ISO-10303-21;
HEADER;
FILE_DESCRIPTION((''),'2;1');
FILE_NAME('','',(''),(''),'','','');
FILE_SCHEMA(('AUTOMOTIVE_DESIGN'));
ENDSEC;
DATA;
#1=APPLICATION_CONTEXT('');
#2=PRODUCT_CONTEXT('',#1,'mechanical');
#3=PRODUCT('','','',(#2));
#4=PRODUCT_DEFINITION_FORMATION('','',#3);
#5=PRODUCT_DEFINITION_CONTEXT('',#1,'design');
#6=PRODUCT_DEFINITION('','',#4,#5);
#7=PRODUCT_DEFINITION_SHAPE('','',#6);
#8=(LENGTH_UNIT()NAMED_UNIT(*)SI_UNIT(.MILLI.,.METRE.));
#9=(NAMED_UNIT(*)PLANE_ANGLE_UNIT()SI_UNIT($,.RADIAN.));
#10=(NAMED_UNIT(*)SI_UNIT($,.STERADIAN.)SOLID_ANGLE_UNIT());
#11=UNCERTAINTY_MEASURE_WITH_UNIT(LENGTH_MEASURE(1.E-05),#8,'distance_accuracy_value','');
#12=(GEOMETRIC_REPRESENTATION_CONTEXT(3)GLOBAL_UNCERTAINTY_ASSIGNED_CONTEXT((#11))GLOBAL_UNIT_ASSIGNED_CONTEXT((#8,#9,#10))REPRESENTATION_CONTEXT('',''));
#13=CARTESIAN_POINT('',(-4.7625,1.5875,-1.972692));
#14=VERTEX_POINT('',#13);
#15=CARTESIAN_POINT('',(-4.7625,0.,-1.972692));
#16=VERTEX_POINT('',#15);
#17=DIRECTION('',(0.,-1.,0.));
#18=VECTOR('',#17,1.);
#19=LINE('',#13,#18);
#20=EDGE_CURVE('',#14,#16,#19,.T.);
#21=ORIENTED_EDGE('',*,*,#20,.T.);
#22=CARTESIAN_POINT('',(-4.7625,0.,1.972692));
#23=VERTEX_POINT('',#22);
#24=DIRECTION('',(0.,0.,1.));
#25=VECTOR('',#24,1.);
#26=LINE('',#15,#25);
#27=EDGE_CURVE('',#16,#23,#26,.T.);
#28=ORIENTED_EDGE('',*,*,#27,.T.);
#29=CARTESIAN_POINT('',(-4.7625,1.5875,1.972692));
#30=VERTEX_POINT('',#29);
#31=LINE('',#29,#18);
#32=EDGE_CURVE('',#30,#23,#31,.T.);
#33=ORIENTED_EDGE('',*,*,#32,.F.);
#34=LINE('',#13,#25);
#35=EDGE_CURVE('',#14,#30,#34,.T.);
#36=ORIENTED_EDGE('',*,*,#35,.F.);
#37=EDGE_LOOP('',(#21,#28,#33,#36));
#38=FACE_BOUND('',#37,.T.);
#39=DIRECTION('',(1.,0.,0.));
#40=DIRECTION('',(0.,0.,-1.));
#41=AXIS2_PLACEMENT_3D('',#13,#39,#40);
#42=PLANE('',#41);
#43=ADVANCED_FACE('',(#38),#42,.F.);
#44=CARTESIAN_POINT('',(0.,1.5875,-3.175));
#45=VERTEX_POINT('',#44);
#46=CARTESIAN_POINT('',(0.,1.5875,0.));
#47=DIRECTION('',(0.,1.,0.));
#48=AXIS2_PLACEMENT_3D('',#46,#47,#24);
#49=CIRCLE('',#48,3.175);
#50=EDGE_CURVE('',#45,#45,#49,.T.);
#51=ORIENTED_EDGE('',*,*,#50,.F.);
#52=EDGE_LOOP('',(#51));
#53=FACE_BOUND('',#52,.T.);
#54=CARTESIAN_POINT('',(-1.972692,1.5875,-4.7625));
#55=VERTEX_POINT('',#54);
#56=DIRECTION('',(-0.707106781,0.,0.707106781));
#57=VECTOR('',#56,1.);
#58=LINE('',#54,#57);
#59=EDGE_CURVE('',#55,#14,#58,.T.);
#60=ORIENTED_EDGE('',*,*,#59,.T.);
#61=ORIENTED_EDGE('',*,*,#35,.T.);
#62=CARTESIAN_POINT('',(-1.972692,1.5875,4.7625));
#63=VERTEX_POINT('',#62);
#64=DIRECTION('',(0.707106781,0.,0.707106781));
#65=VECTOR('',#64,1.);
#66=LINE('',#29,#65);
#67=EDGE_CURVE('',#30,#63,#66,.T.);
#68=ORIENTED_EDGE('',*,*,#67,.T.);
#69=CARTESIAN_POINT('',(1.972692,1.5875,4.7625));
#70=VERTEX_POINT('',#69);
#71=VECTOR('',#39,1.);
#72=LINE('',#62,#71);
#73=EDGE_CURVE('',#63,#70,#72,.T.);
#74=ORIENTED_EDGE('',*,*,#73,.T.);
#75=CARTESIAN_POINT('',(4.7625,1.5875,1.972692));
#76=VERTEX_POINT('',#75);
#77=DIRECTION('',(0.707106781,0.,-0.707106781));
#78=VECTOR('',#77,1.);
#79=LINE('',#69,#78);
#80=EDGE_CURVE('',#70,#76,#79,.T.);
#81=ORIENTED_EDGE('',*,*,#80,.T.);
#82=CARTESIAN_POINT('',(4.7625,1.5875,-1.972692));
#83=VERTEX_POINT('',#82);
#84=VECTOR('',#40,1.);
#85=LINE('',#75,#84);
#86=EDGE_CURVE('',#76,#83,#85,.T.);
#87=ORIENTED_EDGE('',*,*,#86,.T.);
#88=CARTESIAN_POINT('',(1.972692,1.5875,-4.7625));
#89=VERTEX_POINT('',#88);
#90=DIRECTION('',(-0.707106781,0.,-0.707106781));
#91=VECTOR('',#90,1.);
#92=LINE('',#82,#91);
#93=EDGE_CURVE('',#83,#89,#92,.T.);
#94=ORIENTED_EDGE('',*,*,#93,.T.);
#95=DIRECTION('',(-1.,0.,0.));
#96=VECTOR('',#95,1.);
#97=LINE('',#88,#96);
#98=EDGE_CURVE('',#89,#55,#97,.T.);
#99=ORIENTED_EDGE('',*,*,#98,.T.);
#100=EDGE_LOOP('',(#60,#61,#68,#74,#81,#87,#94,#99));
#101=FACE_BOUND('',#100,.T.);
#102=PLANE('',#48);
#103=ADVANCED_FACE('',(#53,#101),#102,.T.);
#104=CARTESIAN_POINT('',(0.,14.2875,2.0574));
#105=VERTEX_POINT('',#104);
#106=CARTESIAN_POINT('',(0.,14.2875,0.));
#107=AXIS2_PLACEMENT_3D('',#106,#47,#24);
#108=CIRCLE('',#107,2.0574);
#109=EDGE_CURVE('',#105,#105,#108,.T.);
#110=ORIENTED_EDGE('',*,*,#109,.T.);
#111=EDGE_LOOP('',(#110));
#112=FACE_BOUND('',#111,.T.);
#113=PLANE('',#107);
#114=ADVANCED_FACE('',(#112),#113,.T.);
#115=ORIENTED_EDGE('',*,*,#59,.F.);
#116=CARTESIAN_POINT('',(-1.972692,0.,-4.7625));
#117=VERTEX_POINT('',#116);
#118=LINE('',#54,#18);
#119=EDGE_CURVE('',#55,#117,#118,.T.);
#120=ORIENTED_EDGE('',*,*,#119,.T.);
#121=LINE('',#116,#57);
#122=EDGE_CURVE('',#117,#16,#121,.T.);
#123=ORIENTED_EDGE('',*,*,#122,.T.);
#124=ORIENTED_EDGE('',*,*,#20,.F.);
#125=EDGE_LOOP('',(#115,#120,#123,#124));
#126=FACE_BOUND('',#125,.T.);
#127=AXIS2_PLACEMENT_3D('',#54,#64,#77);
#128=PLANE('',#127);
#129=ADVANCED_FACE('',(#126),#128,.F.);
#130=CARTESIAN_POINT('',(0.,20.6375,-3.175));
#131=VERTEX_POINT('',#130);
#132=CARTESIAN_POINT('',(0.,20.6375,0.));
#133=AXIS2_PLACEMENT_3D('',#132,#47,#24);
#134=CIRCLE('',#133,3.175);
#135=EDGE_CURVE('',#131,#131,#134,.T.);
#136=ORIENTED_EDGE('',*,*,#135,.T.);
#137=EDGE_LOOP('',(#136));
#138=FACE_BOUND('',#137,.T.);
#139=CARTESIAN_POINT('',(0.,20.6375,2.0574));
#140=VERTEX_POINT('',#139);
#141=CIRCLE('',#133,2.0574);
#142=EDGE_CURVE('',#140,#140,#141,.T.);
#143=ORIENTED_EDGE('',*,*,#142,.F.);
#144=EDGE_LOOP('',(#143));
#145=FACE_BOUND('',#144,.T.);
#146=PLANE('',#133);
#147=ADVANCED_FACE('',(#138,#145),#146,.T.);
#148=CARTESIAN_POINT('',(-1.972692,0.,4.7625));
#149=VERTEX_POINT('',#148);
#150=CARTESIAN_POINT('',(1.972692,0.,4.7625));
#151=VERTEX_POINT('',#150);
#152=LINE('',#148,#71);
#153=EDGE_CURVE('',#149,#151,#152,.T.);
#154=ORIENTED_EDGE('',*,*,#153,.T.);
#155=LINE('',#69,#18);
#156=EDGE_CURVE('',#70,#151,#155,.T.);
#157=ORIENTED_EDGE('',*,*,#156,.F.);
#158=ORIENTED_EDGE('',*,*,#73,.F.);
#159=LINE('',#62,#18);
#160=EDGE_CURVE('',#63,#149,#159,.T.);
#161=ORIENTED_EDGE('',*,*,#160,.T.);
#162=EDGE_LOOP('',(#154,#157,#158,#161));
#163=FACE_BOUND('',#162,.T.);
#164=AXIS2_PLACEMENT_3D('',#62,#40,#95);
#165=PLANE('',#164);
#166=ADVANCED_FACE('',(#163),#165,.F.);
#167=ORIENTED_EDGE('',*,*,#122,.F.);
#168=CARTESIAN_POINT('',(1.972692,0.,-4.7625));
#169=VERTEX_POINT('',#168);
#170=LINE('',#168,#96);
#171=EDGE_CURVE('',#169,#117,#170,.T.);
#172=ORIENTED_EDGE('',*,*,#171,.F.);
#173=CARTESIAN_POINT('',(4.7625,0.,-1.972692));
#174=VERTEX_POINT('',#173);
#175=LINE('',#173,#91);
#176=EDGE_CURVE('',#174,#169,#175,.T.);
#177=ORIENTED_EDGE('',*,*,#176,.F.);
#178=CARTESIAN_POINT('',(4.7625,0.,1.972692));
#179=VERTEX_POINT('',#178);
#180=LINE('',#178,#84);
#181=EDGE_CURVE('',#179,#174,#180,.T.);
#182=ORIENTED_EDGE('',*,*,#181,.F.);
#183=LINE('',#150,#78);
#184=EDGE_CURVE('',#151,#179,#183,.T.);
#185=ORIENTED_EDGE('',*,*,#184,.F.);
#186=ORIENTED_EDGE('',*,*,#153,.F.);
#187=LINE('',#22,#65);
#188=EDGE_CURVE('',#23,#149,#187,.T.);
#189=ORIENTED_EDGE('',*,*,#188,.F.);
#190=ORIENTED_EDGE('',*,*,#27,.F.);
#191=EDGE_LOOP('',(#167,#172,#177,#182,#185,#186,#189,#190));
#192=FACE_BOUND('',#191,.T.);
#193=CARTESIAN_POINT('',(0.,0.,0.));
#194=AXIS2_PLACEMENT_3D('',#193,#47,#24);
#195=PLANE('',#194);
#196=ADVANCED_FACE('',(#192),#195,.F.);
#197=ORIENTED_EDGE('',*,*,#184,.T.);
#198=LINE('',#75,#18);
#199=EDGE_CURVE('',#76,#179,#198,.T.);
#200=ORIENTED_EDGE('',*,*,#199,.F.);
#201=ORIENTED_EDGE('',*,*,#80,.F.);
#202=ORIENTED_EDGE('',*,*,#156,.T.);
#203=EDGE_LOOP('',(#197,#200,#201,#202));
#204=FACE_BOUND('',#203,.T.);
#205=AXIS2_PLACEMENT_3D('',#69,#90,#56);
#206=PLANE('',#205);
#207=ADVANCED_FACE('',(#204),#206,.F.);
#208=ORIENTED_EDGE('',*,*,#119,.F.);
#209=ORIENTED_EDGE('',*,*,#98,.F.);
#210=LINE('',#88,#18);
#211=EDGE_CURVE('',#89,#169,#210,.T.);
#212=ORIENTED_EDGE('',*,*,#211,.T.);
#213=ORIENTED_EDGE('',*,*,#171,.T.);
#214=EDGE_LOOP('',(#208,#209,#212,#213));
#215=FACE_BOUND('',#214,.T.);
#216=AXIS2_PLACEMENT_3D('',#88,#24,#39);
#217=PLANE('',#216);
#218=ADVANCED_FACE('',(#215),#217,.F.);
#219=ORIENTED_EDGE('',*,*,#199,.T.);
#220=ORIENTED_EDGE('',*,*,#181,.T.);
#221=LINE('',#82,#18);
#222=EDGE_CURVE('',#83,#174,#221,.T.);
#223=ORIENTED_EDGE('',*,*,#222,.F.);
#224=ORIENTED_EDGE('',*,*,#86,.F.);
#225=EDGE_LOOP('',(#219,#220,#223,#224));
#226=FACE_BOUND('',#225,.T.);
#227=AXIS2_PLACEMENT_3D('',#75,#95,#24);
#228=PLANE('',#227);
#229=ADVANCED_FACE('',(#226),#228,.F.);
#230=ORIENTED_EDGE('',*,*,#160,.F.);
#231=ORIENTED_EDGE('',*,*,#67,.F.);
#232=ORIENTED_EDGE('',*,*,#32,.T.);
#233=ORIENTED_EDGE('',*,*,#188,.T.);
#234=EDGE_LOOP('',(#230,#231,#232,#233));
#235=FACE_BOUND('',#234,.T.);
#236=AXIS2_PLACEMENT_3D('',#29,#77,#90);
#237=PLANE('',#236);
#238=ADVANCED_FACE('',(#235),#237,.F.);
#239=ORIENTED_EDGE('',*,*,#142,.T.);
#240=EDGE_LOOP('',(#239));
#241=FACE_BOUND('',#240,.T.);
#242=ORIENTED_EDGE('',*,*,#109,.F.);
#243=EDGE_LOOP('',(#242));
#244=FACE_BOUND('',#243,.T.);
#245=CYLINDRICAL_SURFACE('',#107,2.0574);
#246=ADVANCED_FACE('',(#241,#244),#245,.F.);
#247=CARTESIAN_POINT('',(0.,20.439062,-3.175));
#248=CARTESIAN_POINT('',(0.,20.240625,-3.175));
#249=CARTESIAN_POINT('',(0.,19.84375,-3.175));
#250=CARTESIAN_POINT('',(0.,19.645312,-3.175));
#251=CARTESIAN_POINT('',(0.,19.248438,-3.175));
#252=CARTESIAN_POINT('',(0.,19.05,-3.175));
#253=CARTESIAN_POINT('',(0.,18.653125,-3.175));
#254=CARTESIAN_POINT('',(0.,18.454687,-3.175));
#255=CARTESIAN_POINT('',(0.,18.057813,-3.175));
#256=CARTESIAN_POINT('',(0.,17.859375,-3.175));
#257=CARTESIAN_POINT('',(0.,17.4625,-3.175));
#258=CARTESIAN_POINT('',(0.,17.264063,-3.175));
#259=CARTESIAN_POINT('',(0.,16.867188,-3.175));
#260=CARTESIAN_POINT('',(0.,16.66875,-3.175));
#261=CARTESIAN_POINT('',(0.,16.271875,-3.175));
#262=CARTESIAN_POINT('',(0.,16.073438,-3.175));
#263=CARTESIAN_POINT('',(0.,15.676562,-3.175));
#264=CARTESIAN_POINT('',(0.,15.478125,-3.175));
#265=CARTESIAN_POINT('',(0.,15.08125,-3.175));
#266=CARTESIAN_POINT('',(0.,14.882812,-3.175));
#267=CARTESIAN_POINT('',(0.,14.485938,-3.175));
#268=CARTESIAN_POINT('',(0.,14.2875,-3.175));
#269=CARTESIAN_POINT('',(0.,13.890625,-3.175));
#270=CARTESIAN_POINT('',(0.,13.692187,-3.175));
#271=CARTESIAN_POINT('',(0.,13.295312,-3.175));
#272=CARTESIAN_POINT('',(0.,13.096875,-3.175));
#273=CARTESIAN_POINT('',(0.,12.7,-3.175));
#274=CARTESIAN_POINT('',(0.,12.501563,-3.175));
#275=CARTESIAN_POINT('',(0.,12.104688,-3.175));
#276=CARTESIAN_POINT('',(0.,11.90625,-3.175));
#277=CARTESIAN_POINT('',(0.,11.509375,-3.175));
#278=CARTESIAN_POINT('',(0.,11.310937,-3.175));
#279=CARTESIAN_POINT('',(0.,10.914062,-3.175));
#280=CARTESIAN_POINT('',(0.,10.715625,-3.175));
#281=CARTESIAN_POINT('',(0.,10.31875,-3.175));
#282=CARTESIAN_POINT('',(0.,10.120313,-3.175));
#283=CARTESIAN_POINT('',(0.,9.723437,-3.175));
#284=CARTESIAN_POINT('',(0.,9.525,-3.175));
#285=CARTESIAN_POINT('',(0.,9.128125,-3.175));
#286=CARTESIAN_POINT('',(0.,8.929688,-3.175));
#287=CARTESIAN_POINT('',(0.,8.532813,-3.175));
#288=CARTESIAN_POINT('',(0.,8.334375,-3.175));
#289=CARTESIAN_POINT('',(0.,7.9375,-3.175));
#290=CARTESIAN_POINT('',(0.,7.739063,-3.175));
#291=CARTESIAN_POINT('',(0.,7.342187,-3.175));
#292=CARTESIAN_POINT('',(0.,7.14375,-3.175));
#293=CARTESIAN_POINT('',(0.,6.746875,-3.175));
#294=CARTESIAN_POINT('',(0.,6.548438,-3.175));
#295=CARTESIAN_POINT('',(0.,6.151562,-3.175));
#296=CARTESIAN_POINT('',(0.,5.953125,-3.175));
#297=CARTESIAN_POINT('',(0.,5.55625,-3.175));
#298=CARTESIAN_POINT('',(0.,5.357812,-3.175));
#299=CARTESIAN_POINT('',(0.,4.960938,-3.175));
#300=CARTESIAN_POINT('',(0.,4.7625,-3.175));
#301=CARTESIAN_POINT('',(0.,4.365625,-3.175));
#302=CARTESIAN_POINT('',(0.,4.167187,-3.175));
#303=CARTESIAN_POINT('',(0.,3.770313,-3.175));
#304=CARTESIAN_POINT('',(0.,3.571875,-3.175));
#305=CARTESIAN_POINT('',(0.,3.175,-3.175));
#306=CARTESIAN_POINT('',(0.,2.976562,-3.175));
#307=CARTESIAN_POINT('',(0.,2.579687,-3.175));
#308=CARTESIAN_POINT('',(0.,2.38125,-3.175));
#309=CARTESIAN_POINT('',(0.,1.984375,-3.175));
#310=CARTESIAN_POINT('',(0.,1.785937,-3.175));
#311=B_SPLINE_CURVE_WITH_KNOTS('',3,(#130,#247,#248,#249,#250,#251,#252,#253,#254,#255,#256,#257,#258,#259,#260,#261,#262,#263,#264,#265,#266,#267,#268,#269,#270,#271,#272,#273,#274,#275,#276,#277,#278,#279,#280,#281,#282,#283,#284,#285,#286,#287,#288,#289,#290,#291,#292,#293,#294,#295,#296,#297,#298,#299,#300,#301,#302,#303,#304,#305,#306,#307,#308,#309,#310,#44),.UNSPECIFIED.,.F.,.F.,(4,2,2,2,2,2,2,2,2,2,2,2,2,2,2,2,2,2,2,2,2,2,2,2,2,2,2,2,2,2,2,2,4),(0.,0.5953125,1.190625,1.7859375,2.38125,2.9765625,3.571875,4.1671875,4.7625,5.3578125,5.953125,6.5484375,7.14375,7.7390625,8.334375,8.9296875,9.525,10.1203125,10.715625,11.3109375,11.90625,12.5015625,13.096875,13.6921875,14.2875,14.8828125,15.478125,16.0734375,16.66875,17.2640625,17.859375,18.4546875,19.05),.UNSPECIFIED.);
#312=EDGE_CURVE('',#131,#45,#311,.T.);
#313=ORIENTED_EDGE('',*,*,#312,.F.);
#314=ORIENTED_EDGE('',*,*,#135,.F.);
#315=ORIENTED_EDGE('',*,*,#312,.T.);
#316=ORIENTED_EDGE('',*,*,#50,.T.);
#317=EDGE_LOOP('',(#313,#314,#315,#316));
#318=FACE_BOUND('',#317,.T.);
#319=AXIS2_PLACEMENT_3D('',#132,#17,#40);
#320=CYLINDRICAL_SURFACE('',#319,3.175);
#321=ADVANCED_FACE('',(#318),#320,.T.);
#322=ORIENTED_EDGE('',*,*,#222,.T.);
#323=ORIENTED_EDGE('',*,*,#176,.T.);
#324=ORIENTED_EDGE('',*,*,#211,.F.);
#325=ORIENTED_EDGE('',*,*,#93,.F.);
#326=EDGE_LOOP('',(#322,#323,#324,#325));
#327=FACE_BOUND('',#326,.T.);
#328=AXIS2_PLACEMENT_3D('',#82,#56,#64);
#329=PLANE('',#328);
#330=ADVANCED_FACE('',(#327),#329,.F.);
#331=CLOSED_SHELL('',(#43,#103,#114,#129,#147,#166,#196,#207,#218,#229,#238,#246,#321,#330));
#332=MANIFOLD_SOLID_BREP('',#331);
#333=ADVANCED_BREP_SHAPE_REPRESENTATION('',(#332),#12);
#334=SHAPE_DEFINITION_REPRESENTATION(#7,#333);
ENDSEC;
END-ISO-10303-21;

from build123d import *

# Parameters (mm, degrees)
BOSS_EXTRUDE1_DEPTH = 1.5875
SKETCH2_R           = 3.175
BOSS_EXTRUDE2_DEPTH = 19.05
SKETCH3_R           = 2.0574
CUT_EXTRUDE1_DEPTH  = 6.35


with BuildPart() as part:
    # Sketch1 → Boss-Extrude1 (new body)
    with BuildSketch(Plane(origin=(0, 0, 0), x_dir=(1, 0, 0), z_dir=(0, 1, 0))):
        Polygon((4.7625, -1.972692091), (4.7625, 1.972692091), (1.972692091, 4.7625), (-1.972692091, 4.7625), (-4.7625, 1.972692091), (-4.7625, -1.972692091), (-1.972692091, -4.7625), (1.972692091, -4.7625), align=None)
    extrude(amount=BOSS_EXTRUDE1_DEPTH)

    # Sketch2 → Boss-Extrude2 (add)
    with BuildSketch(Plane(origin=(0, 1.5875, 0), x_dir=(1, 0, 0), z_dir=(0, 1, 0))):
        with Locations(Location((0, 0, 0), (0, 0, 90))):
            Circle(SKETCH2_R)
    extrude(amount=BOSS_EXTRUDE2_DEPTH)

    # Sketch3 → Cut-Extrude1 (cut)
    with BuildSketch(Plane(origin=(0, 20.6375, 0), x_dir=(1, 0, 0), z_dir=(0, 1, 0))):
        with Locations(Location((0, 0, 0), (0, 0, 270))):
            Circle(SKETCH3_R)
    extrude(amount=-CUT_EXTRUDE1_DEPTH, mode=Mode.SUBTRACT)


solid = part.part
